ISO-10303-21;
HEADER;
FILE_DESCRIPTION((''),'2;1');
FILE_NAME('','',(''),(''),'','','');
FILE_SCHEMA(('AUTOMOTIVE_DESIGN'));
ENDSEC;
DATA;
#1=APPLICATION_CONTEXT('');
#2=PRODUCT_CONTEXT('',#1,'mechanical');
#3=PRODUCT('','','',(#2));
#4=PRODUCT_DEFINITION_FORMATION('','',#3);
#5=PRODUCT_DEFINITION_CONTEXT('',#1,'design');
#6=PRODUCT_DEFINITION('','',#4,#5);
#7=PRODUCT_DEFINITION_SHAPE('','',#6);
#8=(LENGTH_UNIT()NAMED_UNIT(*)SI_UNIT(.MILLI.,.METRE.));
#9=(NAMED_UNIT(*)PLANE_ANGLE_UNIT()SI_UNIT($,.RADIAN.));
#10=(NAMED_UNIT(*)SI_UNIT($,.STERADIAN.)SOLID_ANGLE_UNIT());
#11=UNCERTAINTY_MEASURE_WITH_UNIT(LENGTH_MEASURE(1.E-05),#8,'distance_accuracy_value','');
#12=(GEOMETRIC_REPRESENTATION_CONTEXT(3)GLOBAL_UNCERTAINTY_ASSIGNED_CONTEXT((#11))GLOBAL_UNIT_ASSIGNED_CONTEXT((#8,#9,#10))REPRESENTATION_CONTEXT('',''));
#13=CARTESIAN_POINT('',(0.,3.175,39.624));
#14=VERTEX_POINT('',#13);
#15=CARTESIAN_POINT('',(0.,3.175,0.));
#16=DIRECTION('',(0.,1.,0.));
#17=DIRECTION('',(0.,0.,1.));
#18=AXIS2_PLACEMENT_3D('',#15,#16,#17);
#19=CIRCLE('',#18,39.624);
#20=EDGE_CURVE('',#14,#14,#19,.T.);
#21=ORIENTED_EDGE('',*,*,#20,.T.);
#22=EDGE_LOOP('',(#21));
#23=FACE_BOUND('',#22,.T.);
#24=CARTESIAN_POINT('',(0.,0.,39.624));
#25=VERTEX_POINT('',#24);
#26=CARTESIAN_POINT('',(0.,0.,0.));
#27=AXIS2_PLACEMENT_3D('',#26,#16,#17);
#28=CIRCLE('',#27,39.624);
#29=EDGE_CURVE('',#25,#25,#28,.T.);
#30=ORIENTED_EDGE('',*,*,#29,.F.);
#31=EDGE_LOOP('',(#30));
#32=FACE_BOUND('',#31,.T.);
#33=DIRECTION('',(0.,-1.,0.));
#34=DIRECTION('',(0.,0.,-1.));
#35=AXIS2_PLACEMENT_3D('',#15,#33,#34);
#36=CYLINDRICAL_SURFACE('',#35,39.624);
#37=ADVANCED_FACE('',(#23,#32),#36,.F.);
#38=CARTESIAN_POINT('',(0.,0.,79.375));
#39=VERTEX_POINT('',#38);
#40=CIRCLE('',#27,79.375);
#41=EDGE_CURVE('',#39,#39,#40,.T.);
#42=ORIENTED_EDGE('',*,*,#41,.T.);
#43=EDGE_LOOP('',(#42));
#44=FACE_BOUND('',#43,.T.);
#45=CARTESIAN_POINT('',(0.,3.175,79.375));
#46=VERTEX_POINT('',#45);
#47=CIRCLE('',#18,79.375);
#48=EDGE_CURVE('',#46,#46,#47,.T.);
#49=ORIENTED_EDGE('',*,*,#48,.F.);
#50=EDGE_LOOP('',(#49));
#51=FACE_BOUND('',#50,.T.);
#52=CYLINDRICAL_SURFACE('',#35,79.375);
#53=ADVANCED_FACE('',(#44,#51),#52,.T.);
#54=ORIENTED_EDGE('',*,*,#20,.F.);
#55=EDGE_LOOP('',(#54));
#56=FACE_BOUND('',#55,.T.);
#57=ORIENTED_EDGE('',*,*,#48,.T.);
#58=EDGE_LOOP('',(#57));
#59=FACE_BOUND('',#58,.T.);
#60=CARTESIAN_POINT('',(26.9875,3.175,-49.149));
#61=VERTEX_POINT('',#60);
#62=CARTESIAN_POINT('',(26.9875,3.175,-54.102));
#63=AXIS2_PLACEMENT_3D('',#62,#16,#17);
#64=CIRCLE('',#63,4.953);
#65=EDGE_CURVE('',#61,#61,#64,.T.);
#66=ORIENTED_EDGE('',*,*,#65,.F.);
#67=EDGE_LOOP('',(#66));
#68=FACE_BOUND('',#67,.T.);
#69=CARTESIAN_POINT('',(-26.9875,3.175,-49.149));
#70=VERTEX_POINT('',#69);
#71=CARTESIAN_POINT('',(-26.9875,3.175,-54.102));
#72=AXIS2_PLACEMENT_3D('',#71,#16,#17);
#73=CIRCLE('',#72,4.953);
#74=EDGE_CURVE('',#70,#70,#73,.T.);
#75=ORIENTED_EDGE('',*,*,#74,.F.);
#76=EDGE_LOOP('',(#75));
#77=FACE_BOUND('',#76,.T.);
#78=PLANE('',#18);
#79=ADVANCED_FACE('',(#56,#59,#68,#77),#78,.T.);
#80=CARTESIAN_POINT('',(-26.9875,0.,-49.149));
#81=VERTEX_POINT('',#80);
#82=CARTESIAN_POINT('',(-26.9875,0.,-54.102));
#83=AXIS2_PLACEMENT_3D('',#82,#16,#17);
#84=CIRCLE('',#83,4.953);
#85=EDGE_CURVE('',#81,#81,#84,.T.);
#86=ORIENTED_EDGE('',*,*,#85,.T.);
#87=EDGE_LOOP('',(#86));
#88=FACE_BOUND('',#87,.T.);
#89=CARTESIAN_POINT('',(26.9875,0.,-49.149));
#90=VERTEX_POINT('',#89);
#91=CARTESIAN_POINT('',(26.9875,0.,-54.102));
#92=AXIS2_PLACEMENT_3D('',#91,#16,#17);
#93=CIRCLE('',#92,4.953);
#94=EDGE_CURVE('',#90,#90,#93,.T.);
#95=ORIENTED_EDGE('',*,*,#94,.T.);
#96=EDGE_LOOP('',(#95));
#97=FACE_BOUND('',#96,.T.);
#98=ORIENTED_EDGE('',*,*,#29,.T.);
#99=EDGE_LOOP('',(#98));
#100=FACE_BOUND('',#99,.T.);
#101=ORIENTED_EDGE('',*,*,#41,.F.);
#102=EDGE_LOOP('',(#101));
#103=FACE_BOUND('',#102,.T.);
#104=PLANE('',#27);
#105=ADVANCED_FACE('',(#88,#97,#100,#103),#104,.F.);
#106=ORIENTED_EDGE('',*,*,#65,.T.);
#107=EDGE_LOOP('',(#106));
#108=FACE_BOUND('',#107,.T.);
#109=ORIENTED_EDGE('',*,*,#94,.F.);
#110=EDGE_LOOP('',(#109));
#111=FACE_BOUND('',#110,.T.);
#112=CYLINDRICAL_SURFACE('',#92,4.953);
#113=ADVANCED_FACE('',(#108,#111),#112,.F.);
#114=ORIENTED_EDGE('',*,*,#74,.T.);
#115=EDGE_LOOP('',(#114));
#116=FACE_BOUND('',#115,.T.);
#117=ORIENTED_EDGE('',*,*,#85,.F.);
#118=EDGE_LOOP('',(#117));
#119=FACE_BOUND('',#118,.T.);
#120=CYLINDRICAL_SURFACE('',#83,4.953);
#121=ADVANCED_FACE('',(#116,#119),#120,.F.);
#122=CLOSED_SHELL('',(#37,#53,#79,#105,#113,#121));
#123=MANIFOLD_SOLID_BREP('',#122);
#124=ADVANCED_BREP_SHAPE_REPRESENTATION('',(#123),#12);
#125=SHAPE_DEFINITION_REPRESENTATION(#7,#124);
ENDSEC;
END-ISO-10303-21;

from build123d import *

# Parameters (mm, degrees)
SKETCH1_R           = 79.375
SKETCH1_R_2         = 39.624
BOSS_EXTRUDE1_DEPTH = 3.175
SKETCH2_R           = 4.953
CUT_EXTRUDE2_DEPTH  = 4.175


with BuildPart() as part:
    # Sketch1 → Boss-Extrude1 (new body)
    with BuildSketch(Plane(origin=(0, 0, 0), x_dir=(1, 0, 0), z_dir=(0, 1, 0))):
        Circle(SKETCH1_R)
        Circle(SKETCH1_R_2, mode=Mode.SUBTRACT)
    extrude(amount=BOSS_EXTRUDE1_DEPTH)

    # Sketch2 → Cut-Extrude2 (cut, through all)
    with BuildSketch(Plane(origin=(0, 3.175, 0), x_dir=(1, 0, 0), z_dir=(0, 1, 0))):
        with Locations((26.9875, 54.102)):
            Circle(SKETCH2_R)
        with Locations((-26.9875, 54.102)):
            Circle(SKETCH2_R)
    extrude(amount=-CUT_EXTRUDE2_DEPTH, mode=Mode.SUBTRACT)


solid = part.part
